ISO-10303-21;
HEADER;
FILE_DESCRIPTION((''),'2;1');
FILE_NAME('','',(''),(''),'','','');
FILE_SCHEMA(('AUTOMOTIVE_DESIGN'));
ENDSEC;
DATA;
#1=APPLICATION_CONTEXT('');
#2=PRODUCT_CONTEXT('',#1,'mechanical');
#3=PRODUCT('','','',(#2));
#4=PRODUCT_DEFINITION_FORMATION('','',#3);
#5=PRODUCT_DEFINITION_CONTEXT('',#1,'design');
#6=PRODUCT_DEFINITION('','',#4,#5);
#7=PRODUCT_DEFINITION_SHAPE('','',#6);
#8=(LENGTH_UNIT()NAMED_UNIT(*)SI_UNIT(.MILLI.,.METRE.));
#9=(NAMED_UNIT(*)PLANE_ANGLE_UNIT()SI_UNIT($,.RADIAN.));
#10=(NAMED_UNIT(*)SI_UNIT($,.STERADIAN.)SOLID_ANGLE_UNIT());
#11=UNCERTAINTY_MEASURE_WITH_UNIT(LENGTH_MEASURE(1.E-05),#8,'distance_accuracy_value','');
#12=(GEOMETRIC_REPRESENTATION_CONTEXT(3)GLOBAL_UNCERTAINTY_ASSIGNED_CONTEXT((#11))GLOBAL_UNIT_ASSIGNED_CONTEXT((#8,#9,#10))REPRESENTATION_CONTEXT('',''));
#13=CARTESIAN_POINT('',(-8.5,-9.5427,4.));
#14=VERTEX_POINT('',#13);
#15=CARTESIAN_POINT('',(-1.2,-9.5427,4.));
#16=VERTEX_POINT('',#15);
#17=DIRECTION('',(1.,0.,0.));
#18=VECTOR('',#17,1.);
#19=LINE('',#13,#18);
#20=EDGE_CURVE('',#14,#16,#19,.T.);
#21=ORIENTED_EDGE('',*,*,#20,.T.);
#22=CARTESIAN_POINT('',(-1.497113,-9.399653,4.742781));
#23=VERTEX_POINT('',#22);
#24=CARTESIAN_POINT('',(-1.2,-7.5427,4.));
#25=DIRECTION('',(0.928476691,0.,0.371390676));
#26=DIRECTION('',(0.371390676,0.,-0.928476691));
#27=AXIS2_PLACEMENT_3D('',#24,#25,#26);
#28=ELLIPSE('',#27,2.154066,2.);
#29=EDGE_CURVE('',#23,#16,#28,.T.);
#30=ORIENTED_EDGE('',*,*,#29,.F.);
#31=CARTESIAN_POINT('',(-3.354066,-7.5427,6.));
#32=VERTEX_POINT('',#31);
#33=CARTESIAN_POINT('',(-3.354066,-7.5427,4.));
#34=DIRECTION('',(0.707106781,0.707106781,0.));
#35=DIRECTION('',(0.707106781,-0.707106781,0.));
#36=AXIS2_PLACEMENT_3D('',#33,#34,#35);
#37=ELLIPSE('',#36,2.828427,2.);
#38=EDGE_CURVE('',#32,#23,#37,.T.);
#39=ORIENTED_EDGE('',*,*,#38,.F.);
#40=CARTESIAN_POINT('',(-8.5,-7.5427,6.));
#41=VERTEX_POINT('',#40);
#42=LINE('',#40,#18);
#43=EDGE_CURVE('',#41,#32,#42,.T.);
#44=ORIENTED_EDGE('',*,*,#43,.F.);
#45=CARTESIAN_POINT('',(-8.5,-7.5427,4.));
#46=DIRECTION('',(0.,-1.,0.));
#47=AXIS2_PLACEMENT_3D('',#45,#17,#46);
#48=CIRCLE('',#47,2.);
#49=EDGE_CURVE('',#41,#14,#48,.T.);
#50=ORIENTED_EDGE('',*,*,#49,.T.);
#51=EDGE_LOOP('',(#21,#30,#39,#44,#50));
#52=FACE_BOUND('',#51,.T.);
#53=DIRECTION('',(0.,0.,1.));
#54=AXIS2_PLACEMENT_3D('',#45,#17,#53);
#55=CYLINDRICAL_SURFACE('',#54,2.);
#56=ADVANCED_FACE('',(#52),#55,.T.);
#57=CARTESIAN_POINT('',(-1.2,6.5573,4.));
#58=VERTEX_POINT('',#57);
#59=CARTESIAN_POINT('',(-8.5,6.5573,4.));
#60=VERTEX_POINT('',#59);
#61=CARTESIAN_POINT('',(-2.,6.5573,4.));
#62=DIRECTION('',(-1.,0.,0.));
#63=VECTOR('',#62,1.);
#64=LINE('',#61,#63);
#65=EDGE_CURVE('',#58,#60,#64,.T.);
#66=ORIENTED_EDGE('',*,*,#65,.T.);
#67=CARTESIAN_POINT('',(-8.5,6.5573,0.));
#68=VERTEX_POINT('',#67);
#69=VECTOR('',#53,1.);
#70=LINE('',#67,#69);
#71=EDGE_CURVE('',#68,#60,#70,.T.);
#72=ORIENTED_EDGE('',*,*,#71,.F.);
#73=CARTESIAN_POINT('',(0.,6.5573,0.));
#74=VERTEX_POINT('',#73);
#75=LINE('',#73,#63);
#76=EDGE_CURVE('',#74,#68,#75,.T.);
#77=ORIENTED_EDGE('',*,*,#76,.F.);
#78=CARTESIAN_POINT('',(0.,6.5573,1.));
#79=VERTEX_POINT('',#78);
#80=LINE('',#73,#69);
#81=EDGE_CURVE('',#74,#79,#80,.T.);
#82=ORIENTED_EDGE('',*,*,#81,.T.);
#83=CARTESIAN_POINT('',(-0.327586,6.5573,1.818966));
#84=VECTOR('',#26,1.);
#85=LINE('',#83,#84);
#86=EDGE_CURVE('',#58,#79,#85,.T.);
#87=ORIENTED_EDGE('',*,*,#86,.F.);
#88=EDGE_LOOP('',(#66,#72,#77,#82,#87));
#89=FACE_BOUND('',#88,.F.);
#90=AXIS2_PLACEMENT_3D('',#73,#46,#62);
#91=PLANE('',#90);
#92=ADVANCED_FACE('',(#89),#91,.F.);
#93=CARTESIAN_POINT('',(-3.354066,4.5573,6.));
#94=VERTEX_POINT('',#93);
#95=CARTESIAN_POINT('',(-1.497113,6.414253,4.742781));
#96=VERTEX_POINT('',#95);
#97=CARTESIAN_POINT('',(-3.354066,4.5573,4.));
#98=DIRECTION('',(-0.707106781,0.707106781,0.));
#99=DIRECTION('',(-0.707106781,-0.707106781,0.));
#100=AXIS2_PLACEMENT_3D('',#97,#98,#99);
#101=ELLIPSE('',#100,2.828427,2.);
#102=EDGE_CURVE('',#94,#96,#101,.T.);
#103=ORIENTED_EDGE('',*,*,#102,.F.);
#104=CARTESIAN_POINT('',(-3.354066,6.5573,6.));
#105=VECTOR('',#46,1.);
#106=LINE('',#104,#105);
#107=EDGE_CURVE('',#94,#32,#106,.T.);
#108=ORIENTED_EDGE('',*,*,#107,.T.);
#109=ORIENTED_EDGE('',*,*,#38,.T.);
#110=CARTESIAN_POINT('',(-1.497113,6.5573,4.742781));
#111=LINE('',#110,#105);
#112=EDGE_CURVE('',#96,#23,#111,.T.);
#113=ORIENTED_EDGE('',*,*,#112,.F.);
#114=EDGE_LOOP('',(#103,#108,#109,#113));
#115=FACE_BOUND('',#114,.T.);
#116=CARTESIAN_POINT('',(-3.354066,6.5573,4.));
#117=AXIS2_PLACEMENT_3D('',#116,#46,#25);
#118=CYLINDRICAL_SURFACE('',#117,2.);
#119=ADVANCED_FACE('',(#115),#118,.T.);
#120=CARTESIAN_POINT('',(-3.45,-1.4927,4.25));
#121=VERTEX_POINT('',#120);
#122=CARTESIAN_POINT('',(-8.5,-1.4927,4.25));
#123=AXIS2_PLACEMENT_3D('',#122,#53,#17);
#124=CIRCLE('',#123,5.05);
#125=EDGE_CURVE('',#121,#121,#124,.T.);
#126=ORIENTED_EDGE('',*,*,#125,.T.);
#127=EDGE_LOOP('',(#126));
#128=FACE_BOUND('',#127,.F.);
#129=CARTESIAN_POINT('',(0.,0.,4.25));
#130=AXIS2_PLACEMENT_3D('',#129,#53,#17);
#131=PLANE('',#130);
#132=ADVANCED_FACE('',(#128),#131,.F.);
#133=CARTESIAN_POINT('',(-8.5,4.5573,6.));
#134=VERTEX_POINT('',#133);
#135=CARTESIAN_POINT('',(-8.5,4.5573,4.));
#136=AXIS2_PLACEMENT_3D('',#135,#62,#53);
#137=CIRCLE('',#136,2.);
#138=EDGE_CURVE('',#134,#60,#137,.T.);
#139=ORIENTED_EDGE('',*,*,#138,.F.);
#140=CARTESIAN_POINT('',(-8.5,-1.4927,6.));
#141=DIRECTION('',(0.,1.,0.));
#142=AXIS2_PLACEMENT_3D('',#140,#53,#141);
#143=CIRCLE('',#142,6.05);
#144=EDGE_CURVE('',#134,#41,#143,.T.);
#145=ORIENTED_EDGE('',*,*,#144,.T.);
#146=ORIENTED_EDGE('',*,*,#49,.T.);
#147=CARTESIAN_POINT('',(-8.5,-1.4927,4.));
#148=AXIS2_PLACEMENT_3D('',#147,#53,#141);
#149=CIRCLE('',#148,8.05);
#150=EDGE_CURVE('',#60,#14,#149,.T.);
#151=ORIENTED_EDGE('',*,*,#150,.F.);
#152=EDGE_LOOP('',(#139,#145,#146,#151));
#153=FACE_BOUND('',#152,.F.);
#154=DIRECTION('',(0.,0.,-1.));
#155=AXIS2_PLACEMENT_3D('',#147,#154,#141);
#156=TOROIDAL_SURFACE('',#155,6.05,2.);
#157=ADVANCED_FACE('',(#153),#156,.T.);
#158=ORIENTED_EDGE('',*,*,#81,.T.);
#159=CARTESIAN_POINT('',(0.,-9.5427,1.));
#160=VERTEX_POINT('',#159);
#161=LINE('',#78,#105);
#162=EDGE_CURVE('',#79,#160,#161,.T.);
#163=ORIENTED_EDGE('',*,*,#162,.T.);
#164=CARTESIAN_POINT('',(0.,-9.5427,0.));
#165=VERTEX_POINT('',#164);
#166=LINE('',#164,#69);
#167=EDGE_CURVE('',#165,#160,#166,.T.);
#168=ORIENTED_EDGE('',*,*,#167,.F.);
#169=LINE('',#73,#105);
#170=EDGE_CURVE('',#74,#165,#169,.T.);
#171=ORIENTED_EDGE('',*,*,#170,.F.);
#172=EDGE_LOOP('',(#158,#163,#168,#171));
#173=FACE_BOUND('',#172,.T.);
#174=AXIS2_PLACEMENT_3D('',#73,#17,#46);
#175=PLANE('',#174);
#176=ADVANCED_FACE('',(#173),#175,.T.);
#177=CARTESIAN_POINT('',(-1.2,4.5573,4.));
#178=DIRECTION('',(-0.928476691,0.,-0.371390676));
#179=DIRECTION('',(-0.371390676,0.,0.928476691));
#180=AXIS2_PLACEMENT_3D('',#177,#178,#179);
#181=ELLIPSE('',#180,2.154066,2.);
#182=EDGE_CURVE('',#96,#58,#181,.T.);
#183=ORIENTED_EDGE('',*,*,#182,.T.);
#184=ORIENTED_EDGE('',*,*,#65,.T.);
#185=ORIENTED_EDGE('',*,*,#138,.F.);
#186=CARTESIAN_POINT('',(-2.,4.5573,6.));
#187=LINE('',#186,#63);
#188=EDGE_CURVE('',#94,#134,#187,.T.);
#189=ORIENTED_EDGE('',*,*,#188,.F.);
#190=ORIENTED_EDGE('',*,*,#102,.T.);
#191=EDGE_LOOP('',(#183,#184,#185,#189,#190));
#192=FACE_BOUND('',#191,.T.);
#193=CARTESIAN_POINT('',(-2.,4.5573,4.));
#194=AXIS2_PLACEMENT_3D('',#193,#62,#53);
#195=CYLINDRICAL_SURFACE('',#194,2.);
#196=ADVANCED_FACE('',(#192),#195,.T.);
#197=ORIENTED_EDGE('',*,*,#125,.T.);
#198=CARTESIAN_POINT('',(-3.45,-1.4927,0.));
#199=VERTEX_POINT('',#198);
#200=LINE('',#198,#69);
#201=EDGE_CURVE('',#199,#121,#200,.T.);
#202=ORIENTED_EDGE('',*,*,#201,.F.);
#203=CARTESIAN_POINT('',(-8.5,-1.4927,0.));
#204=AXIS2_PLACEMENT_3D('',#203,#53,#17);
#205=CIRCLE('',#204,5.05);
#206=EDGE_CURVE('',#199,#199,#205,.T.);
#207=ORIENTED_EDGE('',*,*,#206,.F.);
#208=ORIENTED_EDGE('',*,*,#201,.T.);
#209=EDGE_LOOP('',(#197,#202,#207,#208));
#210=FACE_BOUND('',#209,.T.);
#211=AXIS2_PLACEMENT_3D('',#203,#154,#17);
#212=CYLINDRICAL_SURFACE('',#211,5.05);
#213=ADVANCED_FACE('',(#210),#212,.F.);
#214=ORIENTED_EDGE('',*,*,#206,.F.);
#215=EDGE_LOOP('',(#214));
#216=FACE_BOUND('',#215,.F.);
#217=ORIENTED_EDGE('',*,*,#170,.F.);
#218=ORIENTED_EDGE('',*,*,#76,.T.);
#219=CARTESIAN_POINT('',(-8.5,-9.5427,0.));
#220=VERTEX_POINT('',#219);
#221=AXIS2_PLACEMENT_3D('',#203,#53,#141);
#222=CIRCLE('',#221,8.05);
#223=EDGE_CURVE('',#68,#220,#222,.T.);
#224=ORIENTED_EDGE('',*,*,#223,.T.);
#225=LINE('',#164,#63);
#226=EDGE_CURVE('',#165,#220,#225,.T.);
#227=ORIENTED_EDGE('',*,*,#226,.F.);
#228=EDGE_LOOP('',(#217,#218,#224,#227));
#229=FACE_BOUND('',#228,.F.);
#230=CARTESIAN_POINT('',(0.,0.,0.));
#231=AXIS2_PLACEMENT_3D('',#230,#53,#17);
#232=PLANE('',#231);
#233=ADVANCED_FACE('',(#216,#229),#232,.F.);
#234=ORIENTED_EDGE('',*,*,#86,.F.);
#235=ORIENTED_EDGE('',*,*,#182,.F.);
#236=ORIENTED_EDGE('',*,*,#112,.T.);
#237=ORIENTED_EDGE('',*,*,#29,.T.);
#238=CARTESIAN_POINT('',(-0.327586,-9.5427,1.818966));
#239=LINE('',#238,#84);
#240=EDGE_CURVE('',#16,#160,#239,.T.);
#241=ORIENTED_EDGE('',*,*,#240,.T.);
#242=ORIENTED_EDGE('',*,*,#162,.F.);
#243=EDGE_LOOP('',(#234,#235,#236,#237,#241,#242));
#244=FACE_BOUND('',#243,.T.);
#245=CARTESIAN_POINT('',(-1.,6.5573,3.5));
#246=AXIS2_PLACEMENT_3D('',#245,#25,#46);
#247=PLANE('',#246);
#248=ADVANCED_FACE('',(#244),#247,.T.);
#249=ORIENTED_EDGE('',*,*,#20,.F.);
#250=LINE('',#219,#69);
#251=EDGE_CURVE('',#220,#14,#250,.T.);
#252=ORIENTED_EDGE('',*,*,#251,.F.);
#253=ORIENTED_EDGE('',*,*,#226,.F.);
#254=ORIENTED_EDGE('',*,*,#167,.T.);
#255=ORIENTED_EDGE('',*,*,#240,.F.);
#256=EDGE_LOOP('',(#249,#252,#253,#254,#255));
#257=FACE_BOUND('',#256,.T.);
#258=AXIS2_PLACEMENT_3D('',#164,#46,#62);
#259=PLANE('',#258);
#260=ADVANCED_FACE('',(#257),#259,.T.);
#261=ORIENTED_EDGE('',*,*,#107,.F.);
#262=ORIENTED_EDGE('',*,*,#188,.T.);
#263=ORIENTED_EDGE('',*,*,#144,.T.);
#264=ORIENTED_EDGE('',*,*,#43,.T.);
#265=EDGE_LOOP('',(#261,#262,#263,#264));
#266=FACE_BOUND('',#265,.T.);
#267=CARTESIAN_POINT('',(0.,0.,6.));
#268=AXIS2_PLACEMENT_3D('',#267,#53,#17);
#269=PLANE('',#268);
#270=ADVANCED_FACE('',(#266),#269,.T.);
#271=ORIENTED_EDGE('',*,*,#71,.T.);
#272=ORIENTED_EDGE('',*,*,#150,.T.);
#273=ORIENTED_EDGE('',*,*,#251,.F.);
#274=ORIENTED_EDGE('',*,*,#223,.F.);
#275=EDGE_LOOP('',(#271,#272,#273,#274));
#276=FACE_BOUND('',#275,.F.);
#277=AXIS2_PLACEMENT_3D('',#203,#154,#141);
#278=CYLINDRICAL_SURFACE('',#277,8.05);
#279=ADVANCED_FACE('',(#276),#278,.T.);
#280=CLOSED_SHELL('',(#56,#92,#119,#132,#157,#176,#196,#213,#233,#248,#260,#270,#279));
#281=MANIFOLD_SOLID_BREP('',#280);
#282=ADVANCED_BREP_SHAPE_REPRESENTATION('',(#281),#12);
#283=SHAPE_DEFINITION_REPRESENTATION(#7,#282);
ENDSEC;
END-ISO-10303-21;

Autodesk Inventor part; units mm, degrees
ref_plane "YZ Plane" through (0, 0, 0) normal (1, 0, 0) x (0, 1, 0)
ref_plane "XZ Plane" through (0, 0, 0) normal (0, 1, 0) x (-1, 0, 0)
ref_plane "XY Plane" through (0, 0, 0) normal (0, 0, 1) x (1, 0, 0)
sketch "Szkic1" plane through (0, 0, 0) normal (0, 0, 1) x (1, 0, 0)
  line L0 (0, 6.5573) -> (0, -9.5427)
  circle A0 centre (-8.5, -1.4927) radius 5.05
  arc A1 (-8.5, 6.5573) -> (-8.5, -9.5427) centre (-8.5, -1.4927) ccw
  line L1 (0, 6.5573) -> (-8.5, 6.5573)
  line L2 (0, -9.5427) -> (-8.5, -9.5427)
  point P0 (0, 0)
  dimension "d0" = 16.1
  dimension "d1" = 8.5
  dimension "d2" = 10.1
  dimension "d3" = 8.05
  dimension "d4" = 3
extrude "Wyciągnięcie proste1" add sketch "Szkic1" along normal blind 6 contours L0 L2 A1 L1 | A0
chamfer "Faza1" distance 2 distance2 5 1 edges at (0, -1.4927, 6) measured on face at (-2.8333, -4.176, 6)
extrude "Wyciągnięcie proste2" cut sketch "Szkic1" along normal blind 4.25 contours A0
fillet "Zaokrąglenie1" radius 2 4 edges at (-16.55, -1.4927, 6) (-5.25, -9.5427, 6) (-5.25, 6.5573, 6) (-2, -1.4927, 6)
equation "\"d3\" = 0.5 * d0"
properties part number "3DP_ABS_Front_Door_Magnet_Holder"
